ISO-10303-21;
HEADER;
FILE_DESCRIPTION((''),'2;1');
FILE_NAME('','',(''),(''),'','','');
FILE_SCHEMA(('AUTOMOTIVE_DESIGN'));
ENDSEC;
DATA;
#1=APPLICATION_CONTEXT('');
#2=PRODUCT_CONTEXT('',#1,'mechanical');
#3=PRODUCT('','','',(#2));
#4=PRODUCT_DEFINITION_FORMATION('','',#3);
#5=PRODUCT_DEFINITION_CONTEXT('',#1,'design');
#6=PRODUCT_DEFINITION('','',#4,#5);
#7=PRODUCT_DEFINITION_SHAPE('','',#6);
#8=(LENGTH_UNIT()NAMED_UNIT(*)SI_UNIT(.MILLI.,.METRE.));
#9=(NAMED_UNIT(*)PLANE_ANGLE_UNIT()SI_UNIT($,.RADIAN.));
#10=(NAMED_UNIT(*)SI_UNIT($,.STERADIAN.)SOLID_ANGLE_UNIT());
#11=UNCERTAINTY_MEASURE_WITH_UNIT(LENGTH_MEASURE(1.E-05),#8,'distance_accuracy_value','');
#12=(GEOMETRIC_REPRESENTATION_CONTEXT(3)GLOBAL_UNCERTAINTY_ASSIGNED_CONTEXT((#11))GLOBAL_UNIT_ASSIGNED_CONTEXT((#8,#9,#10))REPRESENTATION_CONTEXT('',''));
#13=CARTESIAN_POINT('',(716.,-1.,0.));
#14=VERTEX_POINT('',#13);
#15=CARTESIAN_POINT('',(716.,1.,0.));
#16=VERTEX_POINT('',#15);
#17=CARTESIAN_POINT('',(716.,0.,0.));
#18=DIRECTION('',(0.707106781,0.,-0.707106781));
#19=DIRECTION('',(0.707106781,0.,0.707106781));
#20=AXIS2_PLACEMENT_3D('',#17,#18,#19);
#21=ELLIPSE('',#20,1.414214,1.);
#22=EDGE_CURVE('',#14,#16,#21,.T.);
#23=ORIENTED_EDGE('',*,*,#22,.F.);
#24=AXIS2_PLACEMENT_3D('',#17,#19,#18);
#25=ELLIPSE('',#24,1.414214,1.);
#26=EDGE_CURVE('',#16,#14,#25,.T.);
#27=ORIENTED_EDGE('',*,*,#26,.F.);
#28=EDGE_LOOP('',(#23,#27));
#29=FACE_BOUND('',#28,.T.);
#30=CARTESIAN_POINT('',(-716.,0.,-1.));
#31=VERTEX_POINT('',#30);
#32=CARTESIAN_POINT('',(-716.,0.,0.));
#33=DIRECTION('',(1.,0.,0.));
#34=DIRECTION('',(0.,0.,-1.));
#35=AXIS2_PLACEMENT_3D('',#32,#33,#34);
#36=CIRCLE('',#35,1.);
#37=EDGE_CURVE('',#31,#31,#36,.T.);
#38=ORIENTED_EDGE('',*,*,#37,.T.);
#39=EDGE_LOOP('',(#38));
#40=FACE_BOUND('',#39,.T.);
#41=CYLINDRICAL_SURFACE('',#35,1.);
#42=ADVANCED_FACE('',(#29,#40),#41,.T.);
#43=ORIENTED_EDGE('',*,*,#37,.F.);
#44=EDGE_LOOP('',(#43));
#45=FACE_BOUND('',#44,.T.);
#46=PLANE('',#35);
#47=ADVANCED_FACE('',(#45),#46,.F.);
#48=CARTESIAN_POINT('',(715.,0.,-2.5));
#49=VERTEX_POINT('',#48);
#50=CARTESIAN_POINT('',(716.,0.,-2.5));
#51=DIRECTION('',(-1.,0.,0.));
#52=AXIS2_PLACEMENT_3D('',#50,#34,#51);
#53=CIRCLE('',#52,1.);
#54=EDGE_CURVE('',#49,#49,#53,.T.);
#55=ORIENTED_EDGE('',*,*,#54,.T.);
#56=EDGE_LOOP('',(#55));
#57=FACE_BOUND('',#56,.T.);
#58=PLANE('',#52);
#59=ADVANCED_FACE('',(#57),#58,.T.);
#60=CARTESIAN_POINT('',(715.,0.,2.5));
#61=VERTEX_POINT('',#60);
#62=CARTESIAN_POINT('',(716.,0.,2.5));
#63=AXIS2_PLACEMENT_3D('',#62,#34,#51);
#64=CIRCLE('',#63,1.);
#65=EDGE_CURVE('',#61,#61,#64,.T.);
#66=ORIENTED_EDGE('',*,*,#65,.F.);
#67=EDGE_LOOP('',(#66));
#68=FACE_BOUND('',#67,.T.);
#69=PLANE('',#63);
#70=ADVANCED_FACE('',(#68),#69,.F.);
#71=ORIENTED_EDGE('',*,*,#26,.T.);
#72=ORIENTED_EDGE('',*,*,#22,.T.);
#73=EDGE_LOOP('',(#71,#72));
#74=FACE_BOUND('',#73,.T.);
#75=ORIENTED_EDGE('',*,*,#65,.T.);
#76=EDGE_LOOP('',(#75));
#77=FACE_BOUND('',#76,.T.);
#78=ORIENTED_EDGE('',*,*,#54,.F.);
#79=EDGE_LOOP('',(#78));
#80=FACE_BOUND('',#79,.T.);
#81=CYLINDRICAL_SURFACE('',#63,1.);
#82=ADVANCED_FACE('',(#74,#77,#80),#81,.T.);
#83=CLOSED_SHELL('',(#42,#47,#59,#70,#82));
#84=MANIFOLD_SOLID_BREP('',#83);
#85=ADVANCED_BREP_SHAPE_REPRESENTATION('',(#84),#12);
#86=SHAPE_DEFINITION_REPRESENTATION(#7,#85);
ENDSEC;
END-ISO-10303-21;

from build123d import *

# Parameters (mm, degrees)
BALAYAGE1_PROFILE_R = 1
BALAYAGE2_PROFILE_R = 1


with BuildPart() as part:
    # Balayage1: sweep along a path in Esquisse1
    with BuildLine(Plane.XY) as balayage1_path:
        Line((-716, 0), (716, 0))
    # Balayage1 profile (on start of the path) → Balayage1 (sweep)
    with BuildSketch(Plane(origin=(-716, 0, 0), x_dir=(0, 0, 1), z_dir=(1, 0, 0))):
        Circle(BALAYAGE1_PROFILE_R)
    sweep(path=balayage1_path.line)

    # Balayage2: sweep along a path in Esquisse16
    with BuildLine(Plane(origin=(716, 0, 0), x_dir=(0, 0, -1), z_dir=(1, 0, 0))) as balayage2_path:
        Line((-2.5, 0), (2.5, 0))
    # Balayage2 profile (on start of the path) → Balayage2 (sweep)
    with BuildSketch(Plane(origin=(716, 0, 2.5), x_dir=(-1, 0, 0), z_dir=(0, 0, -1))):
        Circle(BALAYAGE2_PROFILE_R)
    sweep(path=balayage2_path.line)


solid = part.part
